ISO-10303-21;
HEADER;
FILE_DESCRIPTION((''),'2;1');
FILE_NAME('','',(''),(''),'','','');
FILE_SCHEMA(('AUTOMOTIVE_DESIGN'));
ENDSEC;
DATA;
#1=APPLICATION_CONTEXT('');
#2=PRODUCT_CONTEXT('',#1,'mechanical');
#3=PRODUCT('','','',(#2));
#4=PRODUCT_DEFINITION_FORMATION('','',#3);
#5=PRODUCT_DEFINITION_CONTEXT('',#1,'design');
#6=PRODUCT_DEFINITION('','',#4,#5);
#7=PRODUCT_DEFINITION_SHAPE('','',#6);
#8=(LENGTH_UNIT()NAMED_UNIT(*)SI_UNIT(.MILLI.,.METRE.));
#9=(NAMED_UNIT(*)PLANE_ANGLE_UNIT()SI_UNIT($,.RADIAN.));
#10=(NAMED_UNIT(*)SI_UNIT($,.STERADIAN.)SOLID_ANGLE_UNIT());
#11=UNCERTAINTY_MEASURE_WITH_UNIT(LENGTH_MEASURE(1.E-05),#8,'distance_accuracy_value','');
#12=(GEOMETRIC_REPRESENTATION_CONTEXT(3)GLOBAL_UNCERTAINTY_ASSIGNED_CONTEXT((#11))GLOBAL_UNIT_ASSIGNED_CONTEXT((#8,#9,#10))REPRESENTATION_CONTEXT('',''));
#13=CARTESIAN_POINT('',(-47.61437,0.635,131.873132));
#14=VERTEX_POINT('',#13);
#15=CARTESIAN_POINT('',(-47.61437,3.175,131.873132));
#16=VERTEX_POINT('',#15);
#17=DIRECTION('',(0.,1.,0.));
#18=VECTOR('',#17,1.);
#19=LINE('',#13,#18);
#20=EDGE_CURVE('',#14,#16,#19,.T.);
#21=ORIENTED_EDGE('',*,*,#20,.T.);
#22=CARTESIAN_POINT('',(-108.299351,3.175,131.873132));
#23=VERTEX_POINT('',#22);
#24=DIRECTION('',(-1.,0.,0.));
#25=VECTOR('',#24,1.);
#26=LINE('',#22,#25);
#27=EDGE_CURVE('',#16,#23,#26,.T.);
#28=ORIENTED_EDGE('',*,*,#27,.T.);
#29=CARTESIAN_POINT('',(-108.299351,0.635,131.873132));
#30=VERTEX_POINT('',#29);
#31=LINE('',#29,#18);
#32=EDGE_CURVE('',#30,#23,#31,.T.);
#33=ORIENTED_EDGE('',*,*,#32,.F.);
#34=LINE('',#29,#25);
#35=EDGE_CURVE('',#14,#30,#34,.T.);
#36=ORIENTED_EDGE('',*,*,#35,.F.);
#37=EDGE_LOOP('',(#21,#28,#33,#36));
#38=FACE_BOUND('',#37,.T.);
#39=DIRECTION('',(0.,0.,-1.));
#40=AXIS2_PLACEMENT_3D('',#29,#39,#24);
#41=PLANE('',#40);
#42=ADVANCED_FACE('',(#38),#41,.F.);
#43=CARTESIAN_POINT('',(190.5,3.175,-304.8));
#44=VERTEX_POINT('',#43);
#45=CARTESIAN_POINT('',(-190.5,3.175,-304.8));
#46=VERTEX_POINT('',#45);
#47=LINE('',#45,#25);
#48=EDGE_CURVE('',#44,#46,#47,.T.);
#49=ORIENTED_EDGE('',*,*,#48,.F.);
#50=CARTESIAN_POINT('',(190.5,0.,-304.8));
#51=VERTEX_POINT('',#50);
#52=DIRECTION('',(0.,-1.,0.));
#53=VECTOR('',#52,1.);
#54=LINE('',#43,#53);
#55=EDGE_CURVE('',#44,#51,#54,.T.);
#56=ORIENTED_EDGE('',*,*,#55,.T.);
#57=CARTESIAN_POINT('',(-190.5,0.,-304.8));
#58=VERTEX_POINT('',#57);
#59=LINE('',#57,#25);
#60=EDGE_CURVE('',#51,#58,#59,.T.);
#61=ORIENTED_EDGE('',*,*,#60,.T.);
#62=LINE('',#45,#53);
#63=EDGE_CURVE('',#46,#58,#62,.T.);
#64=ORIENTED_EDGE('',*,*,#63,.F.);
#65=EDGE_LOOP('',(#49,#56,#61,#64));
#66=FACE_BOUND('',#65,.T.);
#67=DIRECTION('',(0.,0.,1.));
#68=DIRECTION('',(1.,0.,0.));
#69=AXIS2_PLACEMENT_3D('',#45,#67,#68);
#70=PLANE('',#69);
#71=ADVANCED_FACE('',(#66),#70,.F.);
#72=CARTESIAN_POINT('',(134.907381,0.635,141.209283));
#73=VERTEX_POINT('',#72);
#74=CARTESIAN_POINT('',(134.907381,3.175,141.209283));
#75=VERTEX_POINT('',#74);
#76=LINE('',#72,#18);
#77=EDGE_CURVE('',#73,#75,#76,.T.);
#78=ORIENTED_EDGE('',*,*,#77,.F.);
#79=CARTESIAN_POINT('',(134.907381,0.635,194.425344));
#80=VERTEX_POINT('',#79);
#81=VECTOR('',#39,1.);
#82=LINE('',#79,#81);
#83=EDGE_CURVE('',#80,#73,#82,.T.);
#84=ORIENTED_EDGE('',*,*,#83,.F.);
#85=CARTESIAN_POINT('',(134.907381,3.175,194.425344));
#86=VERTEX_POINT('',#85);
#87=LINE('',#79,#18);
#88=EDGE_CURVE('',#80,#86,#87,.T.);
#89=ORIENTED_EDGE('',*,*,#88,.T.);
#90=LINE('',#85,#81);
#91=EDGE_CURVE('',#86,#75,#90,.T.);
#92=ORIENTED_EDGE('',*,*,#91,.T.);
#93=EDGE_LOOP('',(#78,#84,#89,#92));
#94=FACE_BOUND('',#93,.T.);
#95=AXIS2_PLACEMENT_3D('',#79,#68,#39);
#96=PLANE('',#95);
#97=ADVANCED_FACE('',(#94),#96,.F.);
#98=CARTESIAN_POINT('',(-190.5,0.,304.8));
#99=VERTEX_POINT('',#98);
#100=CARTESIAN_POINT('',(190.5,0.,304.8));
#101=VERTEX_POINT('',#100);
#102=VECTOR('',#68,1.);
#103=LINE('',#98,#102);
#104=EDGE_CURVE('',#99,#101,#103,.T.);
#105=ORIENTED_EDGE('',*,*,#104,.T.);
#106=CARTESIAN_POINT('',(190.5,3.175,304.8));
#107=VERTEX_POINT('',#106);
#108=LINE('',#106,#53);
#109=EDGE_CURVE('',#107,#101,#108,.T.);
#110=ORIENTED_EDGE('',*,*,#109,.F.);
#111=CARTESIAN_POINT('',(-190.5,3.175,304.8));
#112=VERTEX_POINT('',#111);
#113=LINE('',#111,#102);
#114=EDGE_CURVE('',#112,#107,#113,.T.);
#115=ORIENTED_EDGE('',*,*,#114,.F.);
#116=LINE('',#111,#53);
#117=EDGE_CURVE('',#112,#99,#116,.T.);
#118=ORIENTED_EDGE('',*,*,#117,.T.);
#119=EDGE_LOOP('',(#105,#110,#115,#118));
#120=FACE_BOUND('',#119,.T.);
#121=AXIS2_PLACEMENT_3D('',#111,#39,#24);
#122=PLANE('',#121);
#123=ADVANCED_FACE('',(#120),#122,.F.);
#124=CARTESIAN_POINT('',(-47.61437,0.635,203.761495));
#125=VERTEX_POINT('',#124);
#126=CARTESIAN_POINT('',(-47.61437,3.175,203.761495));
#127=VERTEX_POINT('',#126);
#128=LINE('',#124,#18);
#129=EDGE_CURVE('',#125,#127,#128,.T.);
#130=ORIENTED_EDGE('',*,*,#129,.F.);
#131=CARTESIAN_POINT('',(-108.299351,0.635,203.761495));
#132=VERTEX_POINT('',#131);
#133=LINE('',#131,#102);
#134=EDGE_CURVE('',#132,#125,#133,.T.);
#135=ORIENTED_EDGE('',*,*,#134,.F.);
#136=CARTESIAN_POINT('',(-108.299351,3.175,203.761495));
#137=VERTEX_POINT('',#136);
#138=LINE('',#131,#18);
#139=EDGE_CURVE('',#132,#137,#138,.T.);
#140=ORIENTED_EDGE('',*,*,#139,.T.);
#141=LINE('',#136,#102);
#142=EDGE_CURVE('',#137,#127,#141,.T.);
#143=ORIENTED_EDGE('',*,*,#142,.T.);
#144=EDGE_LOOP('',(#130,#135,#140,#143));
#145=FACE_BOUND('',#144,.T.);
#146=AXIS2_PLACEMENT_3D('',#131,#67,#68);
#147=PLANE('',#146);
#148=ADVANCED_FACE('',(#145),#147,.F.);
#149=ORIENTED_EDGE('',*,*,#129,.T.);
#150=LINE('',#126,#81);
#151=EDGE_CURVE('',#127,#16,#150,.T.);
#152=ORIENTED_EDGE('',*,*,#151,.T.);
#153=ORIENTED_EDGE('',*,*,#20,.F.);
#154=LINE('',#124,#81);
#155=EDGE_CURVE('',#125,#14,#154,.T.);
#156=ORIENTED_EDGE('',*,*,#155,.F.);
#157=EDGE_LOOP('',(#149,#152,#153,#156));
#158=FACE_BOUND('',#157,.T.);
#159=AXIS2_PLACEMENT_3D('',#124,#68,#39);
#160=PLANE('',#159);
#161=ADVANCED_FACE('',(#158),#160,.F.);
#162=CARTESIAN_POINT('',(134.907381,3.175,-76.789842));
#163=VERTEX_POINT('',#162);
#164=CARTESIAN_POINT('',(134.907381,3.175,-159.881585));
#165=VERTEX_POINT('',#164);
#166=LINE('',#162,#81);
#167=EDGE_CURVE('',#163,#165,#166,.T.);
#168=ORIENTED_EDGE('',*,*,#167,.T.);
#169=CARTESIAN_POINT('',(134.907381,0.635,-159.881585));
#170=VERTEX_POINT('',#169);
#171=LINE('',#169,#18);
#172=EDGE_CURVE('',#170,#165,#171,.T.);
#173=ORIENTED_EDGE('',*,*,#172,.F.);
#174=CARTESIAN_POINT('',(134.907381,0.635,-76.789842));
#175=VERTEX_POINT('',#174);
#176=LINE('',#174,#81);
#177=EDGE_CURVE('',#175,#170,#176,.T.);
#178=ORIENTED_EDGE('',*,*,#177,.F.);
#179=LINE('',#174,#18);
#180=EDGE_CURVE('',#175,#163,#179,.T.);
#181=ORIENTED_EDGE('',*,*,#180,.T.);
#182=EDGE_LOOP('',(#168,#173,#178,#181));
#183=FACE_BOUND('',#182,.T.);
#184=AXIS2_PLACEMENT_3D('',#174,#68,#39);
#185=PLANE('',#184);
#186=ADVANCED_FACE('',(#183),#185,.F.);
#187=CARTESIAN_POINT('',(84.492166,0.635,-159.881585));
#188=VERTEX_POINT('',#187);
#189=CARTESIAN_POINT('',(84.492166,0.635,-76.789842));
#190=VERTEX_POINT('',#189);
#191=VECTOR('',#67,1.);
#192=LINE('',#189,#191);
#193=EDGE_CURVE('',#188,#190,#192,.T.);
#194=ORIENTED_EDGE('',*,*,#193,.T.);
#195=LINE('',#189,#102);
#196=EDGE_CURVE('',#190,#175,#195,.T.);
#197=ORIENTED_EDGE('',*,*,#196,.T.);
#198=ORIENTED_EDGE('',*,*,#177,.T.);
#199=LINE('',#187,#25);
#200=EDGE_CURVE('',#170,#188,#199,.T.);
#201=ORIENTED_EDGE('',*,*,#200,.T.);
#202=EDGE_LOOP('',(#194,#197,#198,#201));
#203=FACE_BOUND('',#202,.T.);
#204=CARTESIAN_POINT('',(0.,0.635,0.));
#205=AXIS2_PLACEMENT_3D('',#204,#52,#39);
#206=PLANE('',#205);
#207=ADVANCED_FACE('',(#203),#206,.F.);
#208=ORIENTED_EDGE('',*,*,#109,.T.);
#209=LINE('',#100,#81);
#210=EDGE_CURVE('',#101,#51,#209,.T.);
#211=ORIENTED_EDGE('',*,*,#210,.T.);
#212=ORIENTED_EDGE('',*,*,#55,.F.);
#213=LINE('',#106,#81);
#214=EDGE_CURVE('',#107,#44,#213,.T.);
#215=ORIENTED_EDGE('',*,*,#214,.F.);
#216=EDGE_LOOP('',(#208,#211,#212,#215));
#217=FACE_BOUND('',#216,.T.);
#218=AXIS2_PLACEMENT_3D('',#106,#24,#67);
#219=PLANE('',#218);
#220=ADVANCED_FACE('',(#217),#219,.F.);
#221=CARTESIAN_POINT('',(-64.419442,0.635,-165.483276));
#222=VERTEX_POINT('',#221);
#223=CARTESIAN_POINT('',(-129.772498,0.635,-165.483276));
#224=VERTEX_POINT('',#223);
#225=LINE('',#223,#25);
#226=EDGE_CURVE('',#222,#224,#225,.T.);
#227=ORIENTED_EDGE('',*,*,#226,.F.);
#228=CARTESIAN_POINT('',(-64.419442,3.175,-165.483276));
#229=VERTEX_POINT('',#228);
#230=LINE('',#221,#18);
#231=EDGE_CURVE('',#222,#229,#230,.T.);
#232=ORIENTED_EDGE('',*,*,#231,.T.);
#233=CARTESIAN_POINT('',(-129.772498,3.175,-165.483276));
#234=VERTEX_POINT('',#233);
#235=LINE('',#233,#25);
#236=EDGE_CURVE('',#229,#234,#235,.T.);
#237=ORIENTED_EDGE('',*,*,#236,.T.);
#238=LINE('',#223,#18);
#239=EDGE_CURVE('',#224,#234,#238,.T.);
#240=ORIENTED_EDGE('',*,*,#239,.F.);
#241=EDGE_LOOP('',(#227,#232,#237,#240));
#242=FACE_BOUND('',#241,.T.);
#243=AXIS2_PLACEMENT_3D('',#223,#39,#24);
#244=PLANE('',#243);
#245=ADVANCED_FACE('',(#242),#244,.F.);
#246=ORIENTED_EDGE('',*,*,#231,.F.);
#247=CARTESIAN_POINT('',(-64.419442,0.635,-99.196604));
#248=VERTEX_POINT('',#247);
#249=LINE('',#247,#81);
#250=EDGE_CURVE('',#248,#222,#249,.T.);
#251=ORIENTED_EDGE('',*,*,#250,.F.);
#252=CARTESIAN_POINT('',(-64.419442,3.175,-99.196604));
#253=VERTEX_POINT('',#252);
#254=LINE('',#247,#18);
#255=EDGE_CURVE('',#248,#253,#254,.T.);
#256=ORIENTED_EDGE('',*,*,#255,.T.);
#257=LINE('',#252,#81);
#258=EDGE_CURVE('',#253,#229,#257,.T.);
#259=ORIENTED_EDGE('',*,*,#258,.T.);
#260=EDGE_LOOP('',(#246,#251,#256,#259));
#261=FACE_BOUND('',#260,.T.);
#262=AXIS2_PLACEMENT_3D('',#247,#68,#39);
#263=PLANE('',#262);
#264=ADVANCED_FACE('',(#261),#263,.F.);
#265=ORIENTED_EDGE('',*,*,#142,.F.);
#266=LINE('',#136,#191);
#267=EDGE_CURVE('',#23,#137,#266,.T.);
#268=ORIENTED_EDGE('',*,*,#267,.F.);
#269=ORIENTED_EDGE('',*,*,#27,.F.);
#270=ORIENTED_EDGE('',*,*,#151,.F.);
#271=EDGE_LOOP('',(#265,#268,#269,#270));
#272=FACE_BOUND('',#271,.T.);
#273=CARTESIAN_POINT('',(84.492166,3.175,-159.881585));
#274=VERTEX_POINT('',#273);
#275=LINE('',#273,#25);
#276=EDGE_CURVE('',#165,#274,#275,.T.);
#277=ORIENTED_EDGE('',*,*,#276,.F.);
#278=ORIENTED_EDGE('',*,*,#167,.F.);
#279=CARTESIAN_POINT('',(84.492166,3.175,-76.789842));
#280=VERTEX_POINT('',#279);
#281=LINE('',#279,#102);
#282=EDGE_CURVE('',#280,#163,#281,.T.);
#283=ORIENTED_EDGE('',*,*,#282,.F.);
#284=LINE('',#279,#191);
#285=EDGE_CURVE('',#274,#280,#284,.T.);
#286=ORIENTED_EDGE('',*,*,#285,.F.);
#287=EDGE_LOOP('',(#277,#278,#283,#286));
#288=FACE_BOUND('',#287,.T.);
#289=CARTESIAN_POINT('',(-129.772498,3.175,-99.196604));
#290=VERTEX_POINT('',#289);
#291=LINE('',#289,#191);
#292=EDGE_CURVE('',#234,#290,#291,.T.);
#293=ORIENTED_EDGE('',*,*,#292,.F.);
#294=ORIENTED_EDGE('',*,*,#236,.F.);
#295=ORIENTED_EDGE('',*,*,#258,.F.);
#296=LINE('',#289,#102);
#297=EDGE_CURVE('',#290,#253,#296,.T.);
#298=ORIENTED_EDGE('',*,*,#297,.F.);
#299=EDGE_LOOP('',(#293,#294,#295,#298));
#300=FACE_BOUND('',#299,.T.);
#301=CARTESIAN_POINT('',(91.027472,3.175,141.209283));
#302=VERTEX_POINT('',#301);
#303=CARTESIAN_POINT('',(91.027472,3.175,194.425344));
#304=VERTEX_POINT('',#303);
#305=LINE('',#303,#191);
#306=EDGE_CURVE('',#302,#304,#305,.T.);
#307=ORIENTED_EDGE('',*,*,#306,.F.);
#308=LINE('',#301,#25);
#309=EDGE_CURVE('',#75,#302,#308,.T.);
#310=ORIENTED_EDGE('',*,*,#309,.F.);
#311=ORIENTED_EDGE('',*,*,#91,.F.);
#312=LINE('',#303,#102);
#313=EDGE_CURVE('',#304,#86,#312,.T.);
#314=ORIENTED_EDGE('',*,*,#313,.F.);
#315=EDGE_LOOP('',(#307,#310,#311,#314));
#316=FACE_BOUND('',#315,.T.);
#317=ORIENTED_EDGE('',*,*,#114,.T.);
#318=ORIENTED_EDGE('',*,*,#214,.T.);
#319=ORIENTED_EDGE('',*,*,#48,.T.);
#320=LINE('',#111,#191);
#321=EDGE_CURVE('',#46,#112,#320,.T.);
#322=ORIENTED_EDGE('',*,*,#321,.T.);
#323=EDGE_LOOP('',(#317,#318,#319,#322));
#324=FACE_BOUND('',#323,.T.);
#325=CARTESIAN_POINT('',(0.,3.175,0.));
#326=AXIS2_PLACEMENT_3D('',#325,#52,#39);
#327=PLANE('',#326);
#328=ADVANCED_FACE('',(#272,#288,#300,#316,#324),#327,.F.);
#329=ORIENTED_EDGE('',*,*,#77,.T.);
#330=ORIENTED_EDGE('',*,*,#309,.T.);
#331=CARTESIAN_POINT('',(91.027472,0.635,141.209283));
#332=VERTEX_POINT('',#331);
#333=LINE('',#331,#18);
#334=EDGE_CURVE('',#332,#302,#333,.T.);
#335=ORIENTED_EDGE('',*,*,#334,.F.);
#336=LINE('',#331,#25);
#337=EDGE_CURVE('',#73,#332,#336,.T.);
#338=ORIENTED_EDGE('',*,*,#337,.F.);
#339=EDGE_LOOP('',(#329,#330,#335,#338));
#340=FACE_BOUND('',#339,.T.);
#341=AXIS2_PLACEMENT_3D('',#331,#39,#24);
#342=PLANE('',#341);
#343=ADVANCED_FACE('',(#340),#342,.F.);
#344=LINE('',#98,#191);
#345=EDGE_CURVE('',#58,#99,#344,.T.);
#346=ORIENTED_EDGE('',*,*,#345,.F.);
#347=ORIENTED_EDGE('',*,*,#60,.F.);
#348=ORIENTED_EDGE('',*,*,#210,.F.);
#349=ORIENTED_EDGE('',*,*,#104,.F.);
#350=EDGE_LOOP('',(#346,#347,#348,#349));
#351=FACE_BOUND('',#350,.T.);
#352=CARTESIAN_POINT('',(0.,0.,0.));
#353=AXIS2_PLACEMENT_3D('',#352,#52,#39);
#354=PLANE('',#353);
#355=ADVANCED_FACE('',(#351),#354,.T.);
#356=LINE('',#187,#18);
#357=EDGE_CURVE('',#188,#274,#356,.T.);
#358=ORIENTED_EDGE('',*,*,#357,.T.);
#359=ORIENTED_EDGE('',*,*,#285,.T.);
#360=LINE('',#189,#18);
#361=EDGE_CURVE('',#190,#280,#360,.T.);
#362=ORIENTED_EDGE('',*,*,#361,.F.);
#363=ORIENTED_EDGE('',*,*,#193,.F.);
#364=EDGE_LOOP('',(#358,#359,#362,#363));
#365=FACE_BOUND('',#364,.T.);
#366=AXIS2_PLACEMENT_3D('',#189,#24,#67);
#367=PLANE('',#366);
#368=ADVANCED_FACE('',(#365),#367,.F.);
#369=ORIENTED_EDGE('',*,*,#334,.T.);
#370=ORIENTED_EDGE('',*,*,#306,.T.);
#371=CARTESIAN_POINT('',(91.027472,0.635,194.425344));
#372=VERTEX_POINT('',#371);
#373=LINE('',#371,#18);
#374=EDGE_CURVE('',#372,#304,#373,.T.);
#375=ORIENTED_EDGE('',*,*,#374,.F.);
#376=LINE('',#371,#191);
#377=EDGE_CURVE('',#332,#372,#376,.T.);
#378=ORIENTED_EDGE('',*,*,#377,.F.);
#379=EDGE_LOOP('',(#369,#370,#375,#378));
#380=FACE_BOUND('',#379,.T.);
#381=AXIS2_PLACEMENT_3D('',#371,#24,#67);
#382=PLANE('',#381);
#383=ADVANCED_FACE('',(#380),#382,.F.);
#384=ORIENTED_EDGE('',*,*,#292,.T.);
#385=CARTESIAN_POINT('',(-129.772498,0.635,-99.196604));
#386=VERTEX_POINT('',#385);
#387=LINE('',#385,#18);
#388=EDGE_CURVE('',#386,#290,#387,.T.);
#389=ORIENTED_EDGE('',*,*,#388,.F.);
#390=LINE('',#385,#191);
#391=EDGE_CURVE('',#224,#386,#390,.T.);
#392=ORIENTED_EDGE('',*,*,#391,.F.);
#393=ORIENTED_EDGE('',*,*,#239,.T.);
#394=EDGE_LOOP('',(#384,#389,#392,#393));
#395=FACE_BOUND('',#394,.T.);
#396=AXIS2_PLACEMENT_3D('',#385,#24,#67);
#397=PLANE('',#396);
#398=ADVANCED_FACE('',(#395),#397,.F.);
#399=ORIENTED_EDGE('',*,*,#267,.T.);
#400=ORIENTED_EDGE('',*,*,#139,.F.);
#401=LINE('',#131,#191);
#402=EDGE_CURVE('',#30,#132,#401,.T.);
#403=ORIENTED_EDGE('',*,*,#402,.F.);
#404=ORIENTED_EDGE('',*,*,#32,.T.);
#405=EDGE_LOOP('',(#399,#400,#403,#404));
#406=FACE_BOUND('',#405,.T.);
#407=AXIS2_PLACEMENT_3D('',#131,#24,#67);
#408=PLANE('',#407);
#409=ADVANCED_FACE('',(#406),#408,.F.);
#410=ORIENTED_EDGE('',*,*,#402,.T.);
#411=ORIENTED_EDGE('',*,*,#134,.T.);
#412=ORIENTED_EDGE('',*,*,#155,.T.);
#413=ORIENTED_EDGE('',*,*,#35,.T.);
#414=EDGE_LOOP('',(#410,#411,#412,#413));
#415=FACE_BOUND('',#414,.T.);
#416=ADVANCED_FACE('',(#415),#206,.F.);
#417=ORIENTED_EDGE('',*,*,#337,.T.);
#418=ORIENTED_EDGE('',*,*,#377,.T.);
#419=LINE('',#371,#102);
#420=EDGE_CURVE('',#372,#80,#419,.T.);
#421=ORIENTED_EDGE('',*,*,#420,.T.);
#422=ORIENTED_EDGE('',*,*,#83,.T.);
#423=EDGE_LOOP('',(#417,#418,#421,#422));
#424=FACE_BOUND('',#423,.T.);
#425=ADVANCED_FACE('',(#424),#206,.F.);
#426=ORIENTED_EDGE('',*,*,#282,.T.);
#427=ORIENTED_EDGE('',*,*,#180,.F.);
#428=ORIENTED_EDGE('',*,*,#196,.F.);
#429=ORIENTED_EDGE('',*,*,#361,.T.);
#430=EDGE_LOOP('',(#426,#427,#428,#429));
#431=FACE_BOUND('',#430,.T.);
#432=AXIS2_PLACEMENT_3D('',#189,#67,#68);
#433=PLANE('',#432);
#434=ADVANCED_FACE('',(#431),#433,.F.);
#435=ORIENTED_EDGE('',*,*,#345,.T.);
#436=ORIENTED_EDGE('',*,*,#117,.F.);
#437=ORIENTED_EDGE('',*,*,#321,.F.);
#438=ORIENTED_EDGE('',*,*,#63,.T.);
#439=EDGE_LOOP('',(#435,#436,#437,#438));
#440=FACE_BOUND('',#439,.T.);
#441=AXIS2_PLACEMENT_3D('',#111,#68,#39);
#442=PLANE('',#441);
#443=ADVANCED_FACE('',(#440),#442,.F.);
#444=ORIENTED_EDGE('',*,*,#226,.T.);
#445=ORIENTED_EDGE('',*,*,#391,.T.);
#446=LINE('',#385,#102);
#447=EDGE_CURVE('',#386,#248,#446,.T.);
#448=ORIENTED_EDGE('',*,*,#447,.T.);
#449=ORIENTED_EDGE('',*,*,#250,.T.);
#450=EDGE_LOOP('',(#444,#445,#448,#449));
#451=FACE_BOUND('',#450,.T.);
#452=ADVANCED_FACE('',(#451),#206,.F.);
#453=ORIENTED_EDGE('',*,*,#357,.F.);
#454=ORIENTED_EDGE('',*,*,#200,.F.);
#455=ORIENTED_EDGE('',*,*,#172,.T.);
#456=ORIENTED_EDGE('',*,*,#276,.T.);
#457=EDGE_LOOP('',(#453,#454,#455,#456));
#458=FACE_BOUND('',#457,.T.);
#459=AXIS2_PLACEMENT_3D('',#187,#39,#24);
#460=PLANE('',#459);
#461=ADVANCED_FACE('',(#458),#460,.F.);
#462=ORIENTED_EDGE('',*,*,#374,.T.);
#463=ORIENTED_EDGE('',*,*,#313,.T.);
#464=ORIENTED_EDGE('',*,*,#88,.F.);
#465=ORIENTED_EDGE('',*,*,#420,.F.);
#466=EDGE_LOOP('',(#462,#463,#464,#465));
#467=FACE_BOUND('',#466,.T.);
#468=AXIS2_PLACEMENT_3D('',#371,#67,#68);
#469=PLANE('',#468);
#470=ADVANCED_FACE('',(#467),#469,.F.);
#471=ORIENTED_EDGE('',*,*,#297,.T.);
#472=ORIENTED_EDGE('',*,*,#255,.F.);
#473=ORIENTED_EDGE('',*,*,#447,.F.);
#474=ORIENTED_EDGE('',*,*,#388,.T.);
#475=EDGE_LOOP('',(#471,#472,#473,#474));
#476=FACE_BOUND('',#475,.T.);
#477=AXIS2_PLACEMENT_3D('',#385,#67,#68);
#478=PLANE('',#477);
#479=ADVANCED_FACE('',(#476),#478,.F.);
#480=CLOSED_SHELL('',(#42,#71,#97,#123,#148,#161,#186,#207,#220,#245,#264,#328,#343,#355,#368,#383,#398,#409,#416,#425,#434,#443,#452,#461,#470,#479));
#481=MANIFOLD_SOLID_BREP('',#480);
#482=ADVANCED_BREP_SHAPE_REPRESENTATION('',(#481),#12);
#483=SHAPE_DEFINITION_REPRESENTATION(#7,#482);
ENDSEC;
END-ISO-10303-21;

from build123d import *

# Parameters (mm, degrees)
SKETCH1_W           = 381
SKETCH1_H           = 609.6
BOSS_EXTRUDE1_DEPTH = 3.175
SKETCH2_W           = 65.353056765
SKETCH2_H           = 66.286671862
SKETCH2_W_2         = 50.415215219
SKETCH2_H_2         = 83.091743602
SKETCH2_W_3         = 60.684981282
SKETCH2_H_3         = 71.888362442
SKETCH2_W_4         = 43.879909543
SKETCH2_H_4         = 53.216060509
CUT_EXTRUDE1_DEPTH  = 2.54


with BuildPart() as part:
    # Sketch1 → Boss-Extrude1 (new body)
    with BuildSketch(Plane(origin=(0, 0, 0), x_dir=(1, 0, 0), z_dir=(0, 1, 0))):
        Rectangle(SKETCH1_W, SKETCH1_H)
    extrude(amount=BOSS_EXTRUDE1_DEPTH)

    # Sketch2 → Cut-Extrude1 (cut)
    with BuildSketch(Plane(origin=(0, 3.175, 0), x_dir=(1, 0, 0), z_dir=(0, 1, 0))):
        with Locations((-97.095970052, 132.33993995)):
            Rectangle(SKETCH2_W, SKETCH2_H)
        with Locations((109.699773857, 118.3357135)):
            Rectangle(SKETCH2_W_2, SKETCH2_H_2)
        with Locations((-77.95686057, -167.817313623)):
            Rectangle(SKETCH2_W_3, SKETCH2_H_3)
        with Locations((112.967426695, -167.817313623)):
            Rectangle(SKETCH2_W_4, SKETCH2_H_4)
    extrude(amount=-CUT_EXTRUDE1_DEPTH, mode=Mode.SUBTRACT)


solid = part.part
